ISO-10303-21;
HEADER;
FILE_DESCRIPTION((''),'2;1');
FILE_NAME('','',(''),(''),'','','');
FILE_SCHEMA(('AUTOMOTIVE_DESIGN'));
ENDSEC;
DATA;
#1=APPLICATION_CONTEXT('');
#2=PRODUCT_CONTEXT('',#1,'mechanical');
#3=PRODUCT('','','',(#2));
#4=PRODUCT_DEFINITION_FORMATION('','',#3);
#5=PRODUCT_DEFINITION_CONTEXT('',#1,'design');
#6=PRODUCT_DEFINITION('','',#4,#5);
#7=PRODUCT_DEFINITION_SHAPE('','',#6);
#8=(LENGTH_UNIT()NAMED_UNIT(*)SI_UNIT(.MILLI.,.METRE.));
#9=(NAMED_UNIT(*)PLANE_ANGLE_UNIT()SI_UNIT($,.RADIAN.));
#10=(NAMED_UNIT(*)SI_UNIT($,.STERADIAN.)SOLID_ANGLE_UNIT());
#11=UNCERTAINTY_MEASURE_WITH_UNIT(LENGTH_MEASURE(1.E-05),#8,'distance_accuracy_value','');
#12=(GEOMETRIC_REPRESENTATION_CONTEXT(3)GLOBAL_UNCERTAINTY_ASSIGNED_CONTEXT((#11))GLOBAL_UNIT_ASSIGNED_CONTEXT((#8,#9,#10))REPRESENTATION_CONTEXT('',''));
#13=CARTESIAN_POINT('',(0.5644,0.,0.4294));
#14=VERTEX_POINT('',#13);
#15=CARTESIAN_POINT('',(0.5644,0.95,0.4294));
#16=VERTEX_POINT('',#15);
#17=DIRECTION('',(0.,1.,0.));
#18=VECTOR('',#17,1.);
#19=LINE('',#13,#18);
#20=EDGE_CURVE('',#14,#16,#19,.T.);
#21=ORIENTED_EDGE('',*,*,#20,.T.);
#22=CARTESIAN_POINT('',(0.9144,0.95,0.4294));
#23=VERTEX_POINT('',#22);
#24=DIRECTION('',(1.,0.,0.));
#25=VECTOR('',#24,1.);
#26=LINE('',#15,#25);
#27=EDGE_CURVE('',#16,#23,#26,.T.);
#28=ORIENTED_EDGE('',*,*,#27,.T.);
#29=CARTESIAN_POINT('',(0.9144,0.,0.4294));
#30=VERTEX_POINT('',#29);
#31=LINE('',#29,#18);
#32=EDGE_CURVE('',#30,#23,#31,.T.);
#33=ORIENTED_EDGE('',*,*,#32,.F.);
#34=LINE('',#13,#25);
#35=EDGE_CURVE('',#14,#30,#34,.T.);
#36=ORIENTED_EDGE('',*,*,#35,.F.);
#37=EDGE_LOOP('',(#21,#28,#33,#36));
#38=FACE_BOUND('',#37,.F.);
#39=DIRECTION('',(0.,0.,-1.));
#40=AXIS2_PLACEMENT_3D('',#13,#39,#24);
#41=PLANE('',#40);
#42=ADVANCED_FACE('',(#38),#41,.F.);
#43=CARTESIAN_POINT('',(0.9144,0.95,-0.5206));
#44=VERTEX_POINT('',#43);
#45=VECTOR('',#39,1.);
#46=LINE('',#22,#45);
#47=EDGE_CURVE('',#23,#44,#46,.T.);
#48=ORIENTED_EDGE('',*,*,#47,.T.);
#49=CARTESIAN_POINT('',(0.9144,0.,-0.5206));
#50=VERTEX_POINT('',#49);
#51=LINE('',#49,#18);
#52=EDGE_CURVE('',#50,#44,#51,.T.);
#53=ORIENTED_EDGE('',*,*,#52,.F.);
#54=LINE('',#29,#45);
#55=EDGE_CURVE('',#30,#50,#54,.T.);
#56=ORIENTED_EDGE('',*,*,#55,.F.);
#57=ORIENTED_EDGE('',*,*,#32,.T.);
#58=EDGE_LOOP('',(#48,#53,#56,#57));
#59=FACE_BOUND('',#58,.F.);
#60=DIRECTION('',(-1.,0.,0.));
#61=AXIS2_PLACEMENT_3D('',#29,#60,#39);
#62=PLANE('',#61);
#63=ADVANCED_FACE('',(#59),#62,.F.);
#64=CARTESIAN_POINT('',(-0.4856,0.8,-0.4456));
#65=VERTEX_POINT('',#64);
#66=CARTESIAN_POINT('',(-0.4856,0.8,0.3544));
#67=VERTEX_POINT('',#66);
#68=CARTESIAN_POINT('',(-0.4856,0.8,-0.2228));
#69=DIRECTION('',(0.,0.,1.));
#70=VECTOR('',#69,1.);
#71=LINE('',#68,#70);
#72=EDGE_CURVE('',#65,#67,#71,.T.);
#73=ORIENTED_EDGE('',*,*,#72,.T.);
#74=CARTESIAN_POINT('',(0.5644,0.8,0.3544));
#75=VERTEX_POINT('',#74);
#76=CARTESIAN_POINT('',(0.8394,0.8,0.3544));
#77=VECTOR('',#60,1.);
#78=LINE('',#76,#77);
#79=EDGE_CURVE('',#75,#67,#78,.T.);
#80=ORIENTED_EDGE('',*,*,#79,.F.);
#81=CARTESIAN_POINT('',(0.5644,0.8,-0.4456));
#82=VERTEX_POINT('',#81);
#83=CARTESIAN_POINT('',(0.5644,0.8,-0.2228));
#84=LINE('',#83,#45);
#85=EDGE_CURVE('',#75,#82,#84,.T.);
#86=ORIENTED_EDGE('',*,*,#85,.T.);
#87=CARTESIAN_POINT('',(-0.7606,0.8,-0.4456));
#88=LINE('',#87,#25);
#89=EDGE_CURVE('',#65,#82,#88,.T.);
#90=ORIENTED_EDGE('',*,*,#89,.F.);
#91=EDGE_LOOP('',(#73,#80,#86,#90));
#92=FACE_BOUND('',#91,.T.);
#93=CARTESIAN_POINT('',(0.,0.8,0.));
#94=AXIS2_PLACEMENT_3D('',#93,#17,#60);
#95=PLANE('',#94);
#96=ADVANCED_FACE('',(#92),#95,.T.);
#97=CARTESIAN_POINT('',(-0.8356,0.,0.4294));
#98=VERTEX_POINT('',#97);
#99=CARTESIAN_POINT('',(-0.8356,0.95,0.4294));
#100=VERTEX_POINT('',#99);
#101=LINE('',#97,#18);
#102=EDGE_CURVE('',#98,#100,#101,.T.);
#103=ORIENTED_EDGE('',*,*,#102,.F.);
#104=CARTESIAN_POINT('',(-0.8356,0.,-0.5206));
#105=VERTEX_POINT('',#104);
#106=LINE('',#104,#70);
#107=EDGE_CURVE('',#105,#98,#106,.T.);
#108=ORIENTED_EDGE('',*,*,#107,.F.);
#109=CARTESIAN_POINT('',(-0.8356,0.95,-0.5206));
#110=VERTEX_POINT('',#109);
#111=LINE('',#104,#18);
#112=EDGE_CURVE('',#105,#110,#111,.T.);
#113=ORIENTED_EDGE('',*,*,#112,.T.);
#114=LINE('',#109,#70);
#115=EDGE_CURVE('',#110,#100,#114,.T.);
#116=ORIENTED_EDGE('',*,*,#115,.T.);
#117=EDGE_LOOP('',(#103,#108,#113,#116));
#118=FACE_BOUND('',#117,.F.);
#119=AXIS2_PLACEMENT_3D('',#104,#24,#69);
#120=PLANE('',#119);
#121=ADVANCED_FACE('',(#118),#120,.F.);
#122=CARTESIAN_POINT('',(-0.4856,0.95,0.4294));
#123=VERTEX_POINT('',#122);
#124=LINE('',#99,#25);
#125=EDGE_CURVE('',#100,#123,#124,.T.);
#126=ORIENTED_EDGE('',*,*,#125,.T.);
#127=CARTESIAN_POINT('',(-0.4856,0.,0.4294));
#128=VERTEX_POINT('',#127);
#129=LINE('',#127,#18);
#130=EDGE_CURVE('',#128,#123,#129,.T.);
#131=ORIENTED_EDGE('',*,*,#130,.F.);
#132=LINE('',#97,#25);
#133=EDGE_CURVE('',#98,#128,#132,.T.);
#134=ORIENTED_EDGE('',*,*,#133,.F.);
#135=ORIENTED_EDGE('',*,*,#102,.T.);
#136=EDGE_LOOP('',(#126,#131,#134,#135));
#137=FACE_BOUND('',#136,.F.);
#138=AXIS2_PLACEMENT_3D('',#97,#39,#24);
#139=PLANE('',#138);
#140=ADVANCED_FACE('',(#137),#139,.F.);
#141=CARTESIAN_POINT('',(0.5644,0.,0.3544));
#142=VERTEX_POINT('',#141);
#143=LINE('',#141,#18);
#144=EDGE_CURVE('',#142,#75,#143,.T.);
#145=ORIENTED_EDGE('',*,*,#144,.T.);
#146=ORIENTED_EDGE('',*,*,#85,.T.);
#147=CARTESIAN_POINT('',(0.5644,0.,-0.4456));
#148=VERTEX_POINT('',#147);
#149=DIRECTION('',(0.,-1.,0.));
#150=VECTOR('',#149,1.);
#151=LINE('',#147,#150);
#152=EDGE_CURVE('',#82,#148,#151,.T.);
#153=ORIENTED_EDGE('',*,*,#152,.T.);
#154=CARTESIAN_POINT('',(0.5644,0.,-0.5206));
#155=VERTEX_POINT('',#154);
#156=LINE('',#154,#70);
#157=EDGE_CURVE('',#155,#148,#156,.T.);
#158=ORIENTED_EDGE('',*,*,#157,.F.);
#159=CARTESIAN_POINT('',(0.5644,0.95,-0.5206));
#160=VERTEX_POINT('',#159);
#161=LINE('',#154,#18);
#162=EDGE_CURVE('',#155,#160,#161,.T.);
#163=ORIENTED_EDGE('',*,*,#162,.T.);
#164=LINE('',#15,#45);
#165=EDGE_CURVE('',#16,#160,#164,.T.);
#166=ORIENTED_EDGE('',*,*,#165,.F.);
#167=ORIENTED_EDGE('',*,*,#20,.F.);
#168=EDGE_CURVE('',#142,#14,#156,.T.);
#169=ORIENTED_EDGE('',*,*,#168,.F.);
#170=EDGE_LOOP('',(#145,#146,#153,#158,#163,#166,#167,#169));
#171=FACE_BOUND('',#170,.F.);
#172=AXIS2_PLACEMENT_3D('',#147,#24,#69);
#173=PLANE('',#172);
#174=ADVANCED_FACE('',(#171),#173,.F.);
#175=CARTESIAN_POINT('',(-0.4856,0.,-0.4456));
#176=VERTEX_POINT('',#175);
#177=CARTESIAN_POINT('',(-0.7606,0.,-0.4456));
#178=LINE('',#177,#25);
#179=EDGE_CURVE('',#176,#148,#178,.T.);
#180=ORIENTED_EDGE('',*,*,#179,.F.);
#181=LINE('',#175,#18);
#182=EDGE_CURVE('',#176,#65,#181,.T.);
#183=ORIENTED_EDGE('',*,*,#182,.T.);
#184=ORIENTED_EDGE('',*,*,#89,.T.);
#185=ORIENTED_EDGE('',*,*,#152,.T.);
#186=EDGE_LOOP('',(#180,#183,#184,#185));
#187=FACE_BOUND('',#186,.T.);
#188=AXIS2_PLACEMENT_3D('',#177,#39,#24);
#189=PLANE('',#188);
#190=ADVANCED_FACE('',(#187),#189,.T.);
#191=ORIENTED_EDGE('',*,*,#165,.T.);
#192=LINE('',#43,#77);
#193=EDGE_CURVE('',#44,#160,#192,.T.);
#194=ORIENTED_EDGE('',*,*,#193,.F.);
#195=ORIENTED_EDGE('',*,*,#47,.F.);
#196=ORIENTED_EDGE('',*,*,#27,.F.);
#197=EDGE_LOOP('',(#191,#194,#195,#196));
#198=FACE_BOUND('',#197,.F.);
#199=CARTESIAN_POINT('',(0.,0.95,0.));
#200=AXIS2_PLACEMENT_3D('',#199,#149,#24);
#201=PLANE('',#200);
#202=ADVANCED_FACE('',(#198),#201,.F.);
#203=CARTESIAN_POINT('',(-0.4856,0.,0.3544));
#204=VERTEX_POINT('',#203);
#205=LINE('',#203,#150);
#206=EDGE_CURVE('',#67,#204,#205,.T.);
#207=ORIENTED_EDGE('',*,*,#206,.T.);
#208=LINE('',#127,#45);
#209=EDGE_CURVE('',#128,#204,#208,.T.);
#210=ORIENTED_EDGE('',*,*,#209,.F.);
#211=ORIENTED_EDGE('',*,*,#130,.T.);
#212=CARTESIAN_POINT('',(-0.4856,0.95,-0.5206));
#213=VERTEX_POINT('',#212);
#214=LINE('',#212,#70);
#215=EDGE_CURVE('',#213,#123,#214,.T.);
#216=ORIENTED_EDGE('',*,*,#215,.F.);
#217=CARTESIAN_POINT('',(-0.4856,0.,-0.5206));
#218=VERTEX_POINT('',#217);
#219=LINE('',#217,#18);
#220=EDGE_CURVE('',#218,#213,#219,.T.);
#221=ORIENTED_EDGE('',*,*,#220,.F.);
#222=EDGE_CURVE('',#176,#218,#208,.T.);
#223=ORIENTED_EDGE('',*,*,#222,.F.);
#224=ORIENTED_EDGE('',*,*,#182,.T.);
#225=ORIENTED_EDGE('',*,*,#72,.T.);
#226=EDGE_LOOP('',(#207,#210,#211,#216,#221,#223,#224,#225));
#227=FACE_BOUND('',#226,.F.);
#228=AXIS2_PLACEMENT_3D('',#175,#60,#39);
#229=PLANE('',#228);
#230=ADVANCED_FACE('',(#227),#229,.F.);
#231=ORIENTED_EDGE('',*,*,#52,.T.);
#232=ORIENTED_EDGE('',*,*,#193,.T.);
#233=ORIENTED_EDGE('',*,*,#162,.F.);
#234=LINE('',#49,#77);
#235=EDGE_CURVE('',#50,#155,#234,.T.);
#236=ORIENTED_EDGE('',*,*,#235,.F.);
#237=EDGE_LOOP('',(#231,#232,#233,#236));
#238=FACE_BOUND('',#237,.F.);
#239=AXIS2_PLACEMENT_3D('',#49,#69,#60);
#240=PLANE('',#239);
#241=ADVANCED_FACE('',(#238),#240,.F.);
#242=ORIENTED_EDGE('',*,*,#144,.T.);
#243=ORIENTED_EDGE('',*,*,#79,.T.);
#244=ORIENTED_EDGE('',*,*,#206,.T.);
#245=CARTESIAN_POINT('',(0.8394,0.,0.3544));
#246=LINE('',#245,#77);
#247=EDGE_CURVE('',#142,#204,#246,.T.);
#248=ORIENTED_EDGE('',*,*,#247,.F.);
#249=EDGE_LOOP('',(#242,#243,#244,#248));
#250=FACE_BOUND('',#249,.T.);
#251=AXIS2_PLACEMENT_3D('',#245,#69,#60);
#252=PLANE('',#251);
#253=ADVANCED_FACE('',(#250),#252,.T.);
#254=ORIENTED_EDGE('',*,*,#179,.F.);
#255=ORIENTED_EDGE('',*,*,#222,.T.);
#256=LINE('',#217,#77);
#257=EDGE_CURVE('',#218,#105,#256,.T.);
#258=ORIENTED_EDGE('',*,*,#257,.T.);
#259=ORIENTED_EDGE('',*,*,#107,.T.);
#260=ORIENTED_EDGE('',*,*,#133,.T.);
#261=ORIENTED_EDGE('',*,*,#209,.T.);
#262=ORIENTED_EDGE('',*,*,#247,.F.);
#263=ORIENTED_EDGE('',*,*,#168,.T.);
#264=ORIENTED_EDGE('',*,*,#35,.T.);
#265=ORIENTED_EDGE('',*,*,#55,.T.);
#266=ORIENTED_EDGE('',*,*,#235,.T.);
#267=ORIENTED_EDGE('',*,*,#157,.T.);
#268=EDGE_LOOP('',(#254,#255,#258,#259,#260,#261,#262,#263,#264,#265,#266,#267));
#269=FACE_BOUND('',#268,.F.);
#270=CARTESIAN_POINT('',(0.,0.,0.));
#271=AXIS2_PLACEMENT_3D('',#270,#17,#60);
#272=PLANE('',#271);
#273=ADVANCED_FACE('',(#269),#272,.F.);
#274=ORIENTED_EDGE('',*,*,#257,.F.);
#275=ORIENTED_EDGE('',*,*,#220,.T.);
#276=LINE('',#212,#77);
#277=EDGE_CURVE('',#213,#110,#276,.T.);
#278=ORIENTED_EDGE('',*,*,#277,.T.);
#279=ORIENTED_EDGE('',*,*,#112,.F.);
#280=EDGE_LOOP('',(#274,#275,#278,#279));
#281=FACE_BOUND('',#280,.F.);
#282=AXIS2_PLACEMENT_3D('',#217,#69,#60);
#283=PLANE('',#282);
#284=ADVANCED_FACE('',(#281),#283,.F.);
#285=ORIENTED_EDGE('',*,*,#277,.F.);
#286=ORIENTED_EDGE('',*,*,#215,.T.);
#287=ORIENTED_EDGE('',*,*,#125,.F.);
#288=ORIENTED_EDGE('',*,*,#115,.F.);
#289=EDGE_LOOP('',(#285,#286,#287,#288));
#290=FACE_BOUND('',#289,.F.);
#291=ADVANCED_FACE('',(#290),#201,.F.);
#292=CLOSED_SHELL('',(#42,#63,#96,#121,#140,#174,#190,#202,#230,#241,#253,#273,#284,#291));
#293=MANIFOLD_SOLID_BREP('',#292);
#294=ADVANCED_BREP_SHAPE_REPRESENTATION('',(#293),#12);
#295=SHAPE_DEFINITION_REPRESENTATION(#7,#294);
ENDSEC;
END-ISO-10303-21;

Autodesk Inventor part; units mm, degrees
ref_plane "YZ Plane" through (0, 0, 0) normal (1, 0, 0) x (0, 1, 0)
ref_plane "XZ Plane" through (0, 0, 0) normal (0, 1, 0) x (-1, 0, 0)
ref_plane "XY Plane" through (0, 0, 0) normal (0, 0, 1) x (1, 0, 0)
sketch "Sketch1" plane through (0, 0, 0) normal (0, 1, 0) x (-1, 0, 0)
  line L0 (-0.8394, 0.3544) -> (0.7606, 0.3544)
  line L1 (0.7606, 0.3544) -> (0.7606, -0.4456)
  line L2 (0.7606, -0.4456) -> (-0.8394, -0.4456)
  line L3 (-0.8394, -0.4456) -> (-0.8394, 0.3544)
  point P0 (0, 0)
  dimension "d0" = 1.6
  dimension "d1" = 0.8
extrude "Extrusion1" add sketch "Sketch1" along normal blind 0.8
sketch "Sketch2" plane through (0, 0, 0) normal (0, -1, 0) x (1, 0, 0)
  line L0 (-0.7606, -0.4456) -> (0.8394, -0.4456) projected
  line L1 (0.8394, -0.4456) -> (0.8394, 0.3544) projected
  line L2 (-0.8356, 0.4294) -> (-0.4856, 0.4294)
  line L3 (-0.4856, 0.4294) -> (-0.4856, -0.5206)
  line L4 (-0.4856, -0.5206) -> (-0.8356, -0.5206)
  line L5 (-0.8356, -0.5206) -> (-0.8356, 0.4294)
  line L6 (0.5644, 0.4294) -> (0.9144, 0.4294)
  line L7 (0.9144, 0.4294) -> (0.9144, -0.5206)
  line L8 (0.9144, -0.5206) -> (0.5644, -0.5206)
  line L9 (0.5644, -0.5206) -> (0.5644, 0.4294)
  point P0 (0, 0)
  dimension "d4" = 0.35
  dimension "d5" = 0.35
  dimension "d6" = 1.75
  dimension "d7" = 0.075
  dimension "d8" = 0.95
  dimension "d9" = 0.95
  dimension "d10" = 0.075
  dimension "d11" = 0.075
extrude "Extrusion2" add sketch "Sketch2" against normal blind 0.95
properties part number "0603Cap"
